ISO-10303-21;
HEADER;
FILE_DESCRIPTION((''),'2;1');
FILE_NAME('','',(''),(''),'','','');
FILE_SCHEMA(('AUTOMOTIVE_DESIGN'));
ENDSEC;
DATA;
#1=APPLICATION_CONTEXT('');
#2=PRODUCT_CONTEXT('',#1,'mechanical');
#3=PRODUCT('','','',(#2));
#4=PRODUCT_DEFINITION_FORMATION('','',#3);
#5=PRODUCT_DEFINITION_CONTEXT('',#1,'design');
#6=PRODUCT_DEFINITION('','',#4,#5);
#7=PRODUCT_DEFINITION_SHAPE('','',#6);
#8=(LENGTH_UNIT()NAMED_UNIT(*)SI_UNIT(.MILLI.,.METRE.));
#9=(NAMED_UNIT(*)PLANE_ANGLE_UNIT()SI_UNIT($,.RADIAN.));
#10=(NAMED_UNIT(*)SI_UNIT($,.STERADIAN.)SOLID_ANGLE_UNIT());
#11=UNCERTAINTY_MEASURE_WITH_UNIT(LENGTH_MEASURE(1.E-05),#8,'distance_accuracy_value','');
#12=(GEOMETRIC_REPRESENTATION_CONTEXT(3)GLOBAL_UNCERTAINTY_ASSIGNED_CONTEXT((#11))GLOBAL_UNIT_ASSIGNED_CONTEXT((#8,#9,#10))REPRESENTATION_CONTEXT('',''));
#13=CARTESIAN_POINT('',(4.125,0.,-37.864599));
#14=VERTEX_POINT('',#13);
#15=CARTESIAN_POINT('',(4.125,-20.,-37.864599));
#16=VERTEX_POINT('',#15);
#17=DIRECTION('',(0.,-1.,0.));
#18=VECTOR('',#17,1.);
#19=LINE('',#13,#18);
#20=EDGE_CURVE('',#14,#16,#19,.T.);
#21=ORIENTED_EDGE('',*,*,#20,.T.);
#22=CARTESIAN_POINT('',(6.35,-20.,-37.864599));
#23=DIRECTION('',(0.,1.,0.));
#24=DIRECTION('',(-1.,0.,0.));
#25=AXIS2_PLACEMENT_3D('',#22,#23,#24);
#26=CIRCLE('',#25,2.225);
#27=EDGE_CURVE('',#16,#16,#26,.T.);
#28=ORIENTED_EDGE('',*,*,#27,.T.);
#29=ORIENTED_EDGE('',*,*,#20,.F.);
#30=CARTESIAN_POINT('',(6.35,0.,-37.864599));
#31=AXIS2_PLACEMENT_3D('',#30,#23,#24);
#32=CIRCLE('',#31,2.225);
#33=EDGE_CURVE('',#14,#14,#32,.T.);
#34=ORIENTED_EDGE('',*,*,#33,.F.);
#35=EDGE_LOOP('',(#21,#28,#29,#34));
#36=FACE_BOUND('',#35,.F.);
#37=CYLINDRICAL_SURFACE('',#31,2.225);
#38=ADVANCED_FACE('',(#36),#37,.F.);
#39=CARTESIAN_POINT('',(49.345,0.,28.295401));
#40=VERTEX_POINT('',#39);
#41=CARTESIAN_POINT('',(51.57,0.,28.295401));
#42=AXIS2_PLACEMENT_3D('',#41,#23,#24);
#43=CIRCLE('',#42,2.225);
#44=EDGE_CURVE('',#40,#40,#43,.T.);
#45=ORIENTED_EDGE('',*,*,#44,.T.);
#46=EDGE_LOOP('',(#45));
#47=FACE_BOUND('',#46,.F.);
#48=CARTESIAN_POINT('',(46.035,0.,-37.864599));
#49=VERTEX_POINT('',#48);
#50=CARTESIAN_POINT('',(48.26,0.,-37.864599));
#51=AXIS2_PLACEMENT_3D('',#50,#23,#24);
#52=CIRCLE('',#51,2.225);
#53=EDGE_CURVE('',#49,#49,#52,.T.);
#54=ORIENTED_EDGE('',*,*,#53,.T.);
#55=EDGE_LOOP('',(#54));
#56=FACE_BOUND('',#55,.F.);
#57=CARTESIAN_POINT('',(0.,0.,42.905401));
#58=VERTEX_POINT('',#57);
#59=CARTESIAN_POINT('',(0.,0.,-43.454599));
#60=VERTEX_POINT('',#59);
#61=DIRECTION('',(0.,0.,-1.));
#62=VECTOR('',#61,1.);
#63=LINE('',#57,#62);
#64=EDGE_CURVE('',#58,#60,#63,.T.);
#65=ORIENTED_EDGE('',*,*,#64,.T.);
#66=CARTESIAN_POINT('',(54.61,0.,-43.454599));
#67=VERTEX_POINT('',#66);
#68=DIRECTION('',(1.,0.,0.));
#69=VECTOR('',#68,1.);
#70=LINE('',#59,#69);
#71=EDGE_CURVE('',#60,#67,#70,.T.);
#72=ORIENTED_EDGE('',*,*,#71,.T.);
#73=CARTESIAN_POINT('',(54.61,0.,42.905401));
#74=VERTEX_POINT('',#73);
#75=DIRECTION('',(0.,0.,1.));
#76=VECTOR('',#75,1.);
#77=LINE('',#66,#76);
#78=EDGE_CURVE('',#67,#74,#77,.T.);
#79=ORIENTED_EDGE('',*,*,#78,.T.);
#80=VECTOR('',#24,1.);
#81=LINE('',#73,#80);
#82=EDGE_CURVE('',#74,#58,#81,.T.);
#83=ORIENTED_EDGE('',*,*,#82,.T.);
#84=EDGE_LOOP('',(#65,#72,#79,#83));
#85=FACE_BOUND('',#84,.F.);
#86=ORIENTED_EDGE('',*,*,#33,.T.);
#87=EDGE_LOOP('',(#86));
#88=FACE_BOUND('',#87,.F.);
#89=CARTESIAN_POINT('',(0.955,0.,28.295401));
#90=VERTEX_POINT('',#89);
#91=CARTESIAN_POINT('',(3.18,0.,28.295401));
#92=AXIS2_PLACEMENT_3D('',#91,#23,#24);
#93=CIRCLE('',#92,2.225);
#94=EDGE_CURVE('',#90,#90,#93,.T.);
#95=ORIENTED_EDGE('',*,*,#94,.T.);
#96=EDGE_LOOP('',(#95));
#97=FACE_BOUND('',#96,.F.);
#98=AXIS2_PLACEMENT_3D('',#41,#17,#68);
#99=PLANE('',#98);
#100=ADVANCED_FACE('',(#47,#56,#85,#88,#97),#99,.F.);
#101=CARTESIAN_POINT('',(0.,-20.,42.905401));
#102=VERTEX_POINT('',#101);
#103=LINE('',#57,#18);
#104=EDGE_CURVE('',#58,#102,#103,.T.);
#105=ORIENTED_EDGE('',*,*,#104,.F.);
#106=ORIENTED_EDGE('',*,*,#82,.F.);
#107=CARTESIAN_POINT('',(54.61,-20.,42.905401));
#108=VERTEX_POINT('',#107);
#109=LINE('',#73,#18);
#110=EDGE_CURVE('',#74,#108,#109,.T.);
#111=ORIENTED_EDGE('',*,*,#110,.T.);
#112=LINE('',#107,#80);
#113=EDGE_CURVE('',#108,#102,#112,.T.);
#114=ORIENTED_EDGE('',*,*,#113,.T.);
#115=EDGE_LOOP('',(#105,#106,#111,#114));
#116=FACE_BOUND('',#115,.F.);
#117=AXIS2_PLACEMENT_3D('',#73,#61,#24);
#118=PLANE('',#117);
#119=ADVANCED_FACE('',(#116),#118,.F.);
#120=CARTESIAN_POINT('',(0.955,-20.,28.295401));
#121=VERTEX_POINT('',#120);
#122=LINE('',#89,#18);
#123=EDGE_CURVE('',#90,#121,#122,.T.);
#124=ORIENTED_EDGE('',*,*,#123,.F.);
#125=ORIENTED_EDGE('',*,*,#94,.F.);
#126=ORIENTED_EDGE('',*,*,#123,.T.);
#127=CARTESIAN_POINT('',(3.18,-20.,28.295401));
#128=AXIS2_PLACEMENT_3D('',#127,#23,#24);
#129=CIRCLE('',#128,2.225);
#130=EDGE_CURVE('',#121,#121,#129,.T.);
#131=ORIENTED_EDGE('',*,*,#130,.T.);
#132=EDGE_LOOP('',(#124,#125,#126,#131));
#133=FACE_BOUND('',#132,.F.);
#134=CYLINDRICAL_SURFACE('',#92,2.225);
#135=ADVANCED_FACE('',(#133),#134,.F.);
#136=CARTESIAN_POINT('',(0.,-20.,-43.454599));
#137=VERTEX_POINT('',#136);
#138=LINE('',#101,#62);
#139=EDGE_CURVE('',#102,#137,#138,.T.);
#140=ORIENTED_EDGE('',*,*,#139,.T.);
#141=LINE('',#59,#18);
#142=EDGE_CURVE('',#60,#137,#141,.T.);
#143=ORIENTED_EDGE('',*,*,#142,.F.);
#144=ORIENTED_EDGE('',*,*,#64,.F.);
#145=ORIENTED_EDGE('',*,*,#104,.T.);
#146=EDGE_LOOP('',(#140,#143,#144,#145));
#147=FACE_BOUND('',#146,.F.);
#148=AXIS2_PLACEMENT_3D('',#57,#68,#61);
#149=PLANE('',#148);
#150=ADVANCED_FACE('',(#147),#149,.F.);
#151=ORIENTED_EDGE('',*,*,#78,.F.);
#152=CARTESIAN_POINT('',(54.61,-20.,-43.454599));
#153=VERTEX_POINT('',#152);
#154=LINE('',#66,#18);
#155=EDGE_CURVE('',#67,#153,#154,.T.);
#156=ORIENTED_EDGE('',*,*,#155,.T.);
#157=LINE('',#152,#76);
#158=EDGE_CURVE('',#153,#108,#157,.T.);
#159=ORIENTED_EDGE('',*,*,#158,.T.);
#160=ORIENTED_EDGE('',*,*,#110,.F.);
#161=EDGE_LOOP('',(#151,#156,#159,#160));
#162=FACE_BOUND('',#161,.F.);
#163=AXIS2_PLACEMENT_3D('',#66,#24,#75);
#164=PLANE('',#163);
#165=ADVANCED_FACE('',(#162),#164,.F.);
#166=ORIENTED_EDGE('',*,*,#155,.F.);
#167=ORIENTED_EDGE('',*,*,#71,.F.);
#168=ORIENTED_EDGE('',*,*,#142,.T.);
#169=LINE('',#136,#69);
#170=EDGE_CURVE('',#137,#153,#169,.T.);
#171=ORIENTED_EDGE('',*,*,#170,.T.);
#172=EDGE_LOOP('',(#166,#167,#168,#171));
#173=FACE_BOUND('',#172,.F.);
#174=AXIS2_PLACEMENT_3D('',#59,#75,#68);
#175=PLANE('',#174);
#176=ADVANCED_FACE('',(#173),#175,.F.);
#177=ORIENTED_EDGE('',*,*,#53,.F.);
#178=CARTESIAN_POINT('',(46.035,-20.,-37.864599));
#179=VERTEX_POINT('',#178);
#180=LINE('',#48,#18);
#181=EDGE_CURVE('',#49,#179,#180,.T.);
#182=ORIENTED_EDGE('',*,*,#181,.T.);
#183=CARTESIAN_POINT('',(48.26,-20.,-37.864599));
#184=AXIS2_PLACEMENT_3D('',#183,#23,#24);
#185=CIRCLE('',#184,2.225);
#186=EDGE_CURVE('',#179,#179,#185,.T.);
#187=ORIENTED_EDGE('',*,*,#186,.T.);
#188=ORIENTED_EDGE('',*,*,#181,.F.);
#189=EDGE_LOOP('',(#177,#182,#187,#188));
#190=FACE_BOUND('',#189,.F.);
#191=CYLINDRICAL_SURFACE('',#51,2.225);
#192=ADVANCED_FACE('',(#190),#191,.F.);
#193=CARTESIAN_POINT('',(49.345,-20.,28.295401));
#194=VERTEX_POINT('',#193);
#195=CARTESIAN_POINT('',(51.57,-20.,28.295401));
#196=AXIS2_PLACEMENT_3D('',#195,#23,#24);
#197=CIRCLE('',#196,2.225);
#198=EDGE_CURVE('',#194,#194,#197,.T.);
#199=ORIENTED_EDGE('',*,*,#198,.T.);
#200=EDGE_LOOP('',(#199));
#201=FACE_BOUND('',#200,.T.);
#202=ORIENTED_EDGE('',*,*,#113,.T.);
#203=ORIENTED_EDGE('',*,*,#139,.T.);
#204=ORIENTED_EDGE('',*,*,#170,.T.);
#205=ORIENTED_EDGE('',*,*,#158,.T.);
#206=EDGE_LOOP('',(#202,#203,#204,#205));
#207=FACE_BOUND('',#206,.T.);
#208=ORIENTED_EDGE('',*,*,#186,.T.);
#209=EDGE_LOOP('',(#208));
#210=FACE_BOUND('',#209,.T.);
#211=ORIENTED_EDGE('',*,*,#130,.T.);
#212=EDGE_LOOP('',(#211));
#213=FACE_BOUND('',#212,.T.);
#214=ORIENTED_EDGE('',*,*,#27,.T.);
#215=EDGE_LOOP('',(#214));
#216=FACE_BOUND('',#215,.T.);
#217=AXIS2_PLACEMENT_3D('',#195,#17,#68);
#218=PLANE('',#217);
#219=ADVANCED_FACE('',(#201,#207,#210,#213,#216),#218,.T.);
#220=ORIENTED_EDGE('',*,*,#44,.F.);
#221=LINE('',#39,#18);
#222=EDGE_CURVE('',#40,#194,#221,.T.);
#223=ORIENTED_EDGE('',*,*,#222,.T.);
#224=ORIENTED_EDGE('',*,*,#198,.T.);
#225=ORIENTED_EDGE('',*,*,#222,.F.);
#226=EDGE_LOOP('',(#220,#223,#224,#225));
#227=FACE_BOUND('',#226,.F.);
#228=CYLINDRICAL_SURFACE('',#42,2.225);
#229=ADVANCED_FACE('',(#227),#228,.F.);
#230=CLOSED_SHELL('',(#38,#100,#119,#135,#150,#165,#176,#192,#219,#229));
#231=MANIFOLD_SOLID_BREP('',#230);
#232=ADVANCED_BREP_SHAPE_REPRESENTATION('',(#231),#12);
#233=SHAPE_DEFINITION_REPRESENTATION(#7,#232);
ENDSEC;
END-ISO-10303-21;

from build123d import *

# Parameters (mm, degrees)
F1_DEPTH = 20


with BuildPart() as f1:
    # F0 (on Front) → F1 (new body)
    with BuildSketch(Plane.XZ):
        with BuildLine():
            ThreePointArc((53.795, 28.295401), (51.57, 30.520401), (49.345, 28.295401))
            ThreePointArc((49.345, 28.295401), (51.57, 26.070401), (53.795, 28.295401))
        make_face()
        with BuildLine():
            ThreePointArc((50.485, -37.864599), (48.26, -35.639599), (46.035, -37.864599))
            ThreePointArc((46.035, -37.864599), (48.26, -40.089599), (50.485, -37.864599))
        make_face()
        Polygon((54.61, 42.905401), (0, 42.905401), (0, 28.295401), (0, -37.864599), (0, -43.454599), (54.61, -43.454599), align=None)
        with BuildLine():
            ThreePointArc((8.575, -37.864599), (6.35, -40.089599), (4.125, -37.864599))
            ThreePointArc((4.125, -37.864599), (6.35, -35.639599), (8.575, -37.864599))
        make_face(mode=Mode.SUBTRACT)
        with BuildLine():
            ThreePointArc((50.485, -37.864599), (48.26, -40.089599), (46.035, -37.864599))
            ThreePointArc((46.035, -37.864599), (48.26, -35.639599), (50.485, -37.864599))
        make_face(mode=Mode.SUBTRACT)
        with BuildLine():
            ThreePointArc((5.405, 28.295401), (3.18, 26.070401), (0.955, 28.295401))
            ThreePointArc((0.955, 28.295401), (3.18, 30.520401), (5.405, 28.295401))
        make_face(mode=Mode.SUBTRACT)
        with BuildLine():
            ThreePointArc((53.795, 28.295401), (51.57, 26.070401), (49.345, 28.295401))
            ThreePointArc((49.345, 28.295401), (51.57, 30.520401), (53.795, 28.295401))
        make_face(mode=Mode.SUBTRACT)
    extrude(amount=F1_DEPTH)


solid = f1.part
